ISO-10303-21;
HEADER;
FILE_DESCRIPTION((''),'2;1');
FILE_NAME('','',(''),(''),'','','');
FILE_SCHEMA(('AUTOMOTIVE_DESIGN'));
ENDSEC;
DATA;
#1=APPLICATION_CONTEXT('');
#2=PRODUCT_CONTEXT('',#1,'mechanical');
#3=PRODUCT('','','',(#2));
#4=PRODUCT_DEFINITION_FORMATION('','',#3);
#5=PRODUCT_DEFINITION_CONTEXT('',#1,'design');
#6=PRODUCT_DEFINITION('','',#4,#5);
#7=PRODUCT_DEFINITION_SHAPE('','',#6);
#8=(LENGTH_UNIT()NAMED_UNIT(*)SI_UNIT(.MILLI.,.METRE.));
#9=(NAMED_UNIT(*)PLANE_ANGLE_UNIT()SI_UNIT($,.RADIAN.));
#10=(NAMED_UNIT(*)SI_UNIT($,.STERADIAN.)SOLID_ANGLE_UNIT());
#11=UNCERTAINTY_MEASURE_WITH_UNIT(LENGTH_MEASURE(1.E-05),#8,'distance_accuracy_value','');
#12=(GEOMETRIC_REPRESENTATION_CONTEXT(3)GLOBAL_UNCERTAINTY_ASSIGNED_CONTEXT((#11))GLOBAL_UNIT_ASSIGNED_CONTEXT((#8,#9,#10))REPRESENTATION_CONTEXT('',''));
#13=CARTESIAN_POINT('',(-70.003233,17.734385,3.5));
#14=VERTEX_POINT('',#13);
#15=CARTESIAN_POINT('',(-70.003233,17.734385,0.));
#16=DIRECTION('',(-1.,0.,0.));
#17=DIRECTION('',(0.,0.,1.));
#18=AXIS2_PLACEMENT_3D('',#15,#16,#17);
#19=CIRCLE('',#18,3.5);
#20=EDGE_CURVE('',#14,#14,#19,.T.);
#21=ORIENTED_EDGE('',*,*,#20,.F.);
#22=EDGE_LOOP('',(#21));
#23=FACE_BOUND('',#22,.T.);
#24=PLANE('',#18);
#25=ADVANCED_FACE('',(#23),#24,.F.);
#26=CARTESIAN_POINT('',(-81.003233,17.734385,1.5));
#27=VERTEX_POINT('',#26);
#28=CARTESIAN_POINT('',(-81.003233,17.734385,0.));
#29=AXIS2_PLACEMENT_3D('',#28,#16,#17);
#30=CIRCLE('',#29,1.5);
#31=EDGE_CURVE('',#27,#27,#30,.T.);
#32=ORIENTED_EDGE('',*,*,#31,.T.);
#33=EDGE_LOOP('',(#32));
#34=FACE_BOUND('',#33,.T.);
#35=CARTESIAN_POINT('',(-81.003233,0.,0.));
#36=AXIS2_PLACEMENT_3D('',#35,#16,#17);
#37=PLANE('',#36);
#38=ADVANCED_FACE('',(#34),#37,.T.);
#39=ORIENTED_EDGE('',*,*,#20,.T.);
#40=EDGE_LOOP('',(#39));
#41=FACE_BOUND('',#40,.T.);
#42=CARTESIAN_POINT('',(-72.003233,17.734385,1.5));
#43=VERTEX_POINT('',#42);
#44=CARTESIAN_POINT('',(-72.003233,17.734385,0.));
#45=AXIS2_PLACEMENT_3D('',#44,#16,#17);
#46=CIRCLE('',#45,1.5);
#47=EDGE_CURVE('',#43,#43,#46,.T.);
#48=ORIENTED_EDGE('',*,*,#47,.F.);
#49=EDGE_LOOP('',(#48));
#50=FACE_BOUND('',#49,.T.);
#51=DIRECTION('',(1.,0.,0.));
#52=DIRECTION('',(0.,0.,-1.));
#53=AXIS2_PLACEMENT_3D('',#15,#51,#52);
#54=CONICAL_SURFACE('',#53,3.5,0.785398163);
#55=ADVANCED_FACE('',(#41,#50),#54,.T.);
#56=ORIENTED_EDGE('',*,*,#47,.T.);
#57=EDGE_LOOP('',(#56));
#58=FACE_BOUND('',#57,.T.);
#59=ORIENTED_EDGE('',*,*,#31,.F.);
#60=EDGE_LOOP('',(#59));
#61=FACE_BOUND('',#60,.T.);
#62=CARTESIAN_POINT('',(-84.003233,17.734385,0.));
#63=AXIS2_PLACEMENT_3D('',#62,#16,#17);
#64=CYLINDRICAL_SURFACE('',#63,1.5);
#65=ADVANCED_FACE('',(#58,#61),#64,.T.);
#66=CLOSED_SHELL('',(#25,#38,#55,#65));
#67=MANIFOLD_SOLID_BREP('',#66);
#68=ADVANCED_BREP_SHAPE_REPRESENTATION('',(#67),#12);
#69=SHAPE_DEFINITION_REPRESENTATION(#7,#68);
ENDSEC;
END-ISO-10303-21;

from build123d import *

# Parameters (mm, degrees)
SKETCH2_W          = 4.01503839
SKETCH2_H          = 3.611613481
CUT_EXTRUDE1_DEPTH = 3


with BuildPart() as part:
    # Sketch1 → Revolve2 (revolve)
    with BuildSketch(Plane.XY, mode=Mode.PRIVATE) as revolve2_sk:
        Polygon((-84.003233386, 19.234385214), (-72.003233386, 19.234385214), (-70.003233386, 21.234385214), (-70.003233386, 17.734385214), (-84.003233386, 17.734385214), align=None)
    revolve(revolve2_sk.sketch.rotate(Axis((-84.003233386, 17.734385214, 0), (1, 0, 0)), 90), axis=Axis((-84.003233386, 17.734385214, 0), (1, 0, 0)))

    # Sketch2 → Cut-Extrude1 (cut)
    with BuildSketch(Plane.ZY.offset(84.003233386)):
        with Locations((-0.220923165, 17.91688696)):
            Rectangle(SKETCH2_W, SKETCH2_H)
    extrude(amount=-CUT_EXTRUDE1_DEPTH, mode=Mode.SUBTRACT)


solid = part.part
